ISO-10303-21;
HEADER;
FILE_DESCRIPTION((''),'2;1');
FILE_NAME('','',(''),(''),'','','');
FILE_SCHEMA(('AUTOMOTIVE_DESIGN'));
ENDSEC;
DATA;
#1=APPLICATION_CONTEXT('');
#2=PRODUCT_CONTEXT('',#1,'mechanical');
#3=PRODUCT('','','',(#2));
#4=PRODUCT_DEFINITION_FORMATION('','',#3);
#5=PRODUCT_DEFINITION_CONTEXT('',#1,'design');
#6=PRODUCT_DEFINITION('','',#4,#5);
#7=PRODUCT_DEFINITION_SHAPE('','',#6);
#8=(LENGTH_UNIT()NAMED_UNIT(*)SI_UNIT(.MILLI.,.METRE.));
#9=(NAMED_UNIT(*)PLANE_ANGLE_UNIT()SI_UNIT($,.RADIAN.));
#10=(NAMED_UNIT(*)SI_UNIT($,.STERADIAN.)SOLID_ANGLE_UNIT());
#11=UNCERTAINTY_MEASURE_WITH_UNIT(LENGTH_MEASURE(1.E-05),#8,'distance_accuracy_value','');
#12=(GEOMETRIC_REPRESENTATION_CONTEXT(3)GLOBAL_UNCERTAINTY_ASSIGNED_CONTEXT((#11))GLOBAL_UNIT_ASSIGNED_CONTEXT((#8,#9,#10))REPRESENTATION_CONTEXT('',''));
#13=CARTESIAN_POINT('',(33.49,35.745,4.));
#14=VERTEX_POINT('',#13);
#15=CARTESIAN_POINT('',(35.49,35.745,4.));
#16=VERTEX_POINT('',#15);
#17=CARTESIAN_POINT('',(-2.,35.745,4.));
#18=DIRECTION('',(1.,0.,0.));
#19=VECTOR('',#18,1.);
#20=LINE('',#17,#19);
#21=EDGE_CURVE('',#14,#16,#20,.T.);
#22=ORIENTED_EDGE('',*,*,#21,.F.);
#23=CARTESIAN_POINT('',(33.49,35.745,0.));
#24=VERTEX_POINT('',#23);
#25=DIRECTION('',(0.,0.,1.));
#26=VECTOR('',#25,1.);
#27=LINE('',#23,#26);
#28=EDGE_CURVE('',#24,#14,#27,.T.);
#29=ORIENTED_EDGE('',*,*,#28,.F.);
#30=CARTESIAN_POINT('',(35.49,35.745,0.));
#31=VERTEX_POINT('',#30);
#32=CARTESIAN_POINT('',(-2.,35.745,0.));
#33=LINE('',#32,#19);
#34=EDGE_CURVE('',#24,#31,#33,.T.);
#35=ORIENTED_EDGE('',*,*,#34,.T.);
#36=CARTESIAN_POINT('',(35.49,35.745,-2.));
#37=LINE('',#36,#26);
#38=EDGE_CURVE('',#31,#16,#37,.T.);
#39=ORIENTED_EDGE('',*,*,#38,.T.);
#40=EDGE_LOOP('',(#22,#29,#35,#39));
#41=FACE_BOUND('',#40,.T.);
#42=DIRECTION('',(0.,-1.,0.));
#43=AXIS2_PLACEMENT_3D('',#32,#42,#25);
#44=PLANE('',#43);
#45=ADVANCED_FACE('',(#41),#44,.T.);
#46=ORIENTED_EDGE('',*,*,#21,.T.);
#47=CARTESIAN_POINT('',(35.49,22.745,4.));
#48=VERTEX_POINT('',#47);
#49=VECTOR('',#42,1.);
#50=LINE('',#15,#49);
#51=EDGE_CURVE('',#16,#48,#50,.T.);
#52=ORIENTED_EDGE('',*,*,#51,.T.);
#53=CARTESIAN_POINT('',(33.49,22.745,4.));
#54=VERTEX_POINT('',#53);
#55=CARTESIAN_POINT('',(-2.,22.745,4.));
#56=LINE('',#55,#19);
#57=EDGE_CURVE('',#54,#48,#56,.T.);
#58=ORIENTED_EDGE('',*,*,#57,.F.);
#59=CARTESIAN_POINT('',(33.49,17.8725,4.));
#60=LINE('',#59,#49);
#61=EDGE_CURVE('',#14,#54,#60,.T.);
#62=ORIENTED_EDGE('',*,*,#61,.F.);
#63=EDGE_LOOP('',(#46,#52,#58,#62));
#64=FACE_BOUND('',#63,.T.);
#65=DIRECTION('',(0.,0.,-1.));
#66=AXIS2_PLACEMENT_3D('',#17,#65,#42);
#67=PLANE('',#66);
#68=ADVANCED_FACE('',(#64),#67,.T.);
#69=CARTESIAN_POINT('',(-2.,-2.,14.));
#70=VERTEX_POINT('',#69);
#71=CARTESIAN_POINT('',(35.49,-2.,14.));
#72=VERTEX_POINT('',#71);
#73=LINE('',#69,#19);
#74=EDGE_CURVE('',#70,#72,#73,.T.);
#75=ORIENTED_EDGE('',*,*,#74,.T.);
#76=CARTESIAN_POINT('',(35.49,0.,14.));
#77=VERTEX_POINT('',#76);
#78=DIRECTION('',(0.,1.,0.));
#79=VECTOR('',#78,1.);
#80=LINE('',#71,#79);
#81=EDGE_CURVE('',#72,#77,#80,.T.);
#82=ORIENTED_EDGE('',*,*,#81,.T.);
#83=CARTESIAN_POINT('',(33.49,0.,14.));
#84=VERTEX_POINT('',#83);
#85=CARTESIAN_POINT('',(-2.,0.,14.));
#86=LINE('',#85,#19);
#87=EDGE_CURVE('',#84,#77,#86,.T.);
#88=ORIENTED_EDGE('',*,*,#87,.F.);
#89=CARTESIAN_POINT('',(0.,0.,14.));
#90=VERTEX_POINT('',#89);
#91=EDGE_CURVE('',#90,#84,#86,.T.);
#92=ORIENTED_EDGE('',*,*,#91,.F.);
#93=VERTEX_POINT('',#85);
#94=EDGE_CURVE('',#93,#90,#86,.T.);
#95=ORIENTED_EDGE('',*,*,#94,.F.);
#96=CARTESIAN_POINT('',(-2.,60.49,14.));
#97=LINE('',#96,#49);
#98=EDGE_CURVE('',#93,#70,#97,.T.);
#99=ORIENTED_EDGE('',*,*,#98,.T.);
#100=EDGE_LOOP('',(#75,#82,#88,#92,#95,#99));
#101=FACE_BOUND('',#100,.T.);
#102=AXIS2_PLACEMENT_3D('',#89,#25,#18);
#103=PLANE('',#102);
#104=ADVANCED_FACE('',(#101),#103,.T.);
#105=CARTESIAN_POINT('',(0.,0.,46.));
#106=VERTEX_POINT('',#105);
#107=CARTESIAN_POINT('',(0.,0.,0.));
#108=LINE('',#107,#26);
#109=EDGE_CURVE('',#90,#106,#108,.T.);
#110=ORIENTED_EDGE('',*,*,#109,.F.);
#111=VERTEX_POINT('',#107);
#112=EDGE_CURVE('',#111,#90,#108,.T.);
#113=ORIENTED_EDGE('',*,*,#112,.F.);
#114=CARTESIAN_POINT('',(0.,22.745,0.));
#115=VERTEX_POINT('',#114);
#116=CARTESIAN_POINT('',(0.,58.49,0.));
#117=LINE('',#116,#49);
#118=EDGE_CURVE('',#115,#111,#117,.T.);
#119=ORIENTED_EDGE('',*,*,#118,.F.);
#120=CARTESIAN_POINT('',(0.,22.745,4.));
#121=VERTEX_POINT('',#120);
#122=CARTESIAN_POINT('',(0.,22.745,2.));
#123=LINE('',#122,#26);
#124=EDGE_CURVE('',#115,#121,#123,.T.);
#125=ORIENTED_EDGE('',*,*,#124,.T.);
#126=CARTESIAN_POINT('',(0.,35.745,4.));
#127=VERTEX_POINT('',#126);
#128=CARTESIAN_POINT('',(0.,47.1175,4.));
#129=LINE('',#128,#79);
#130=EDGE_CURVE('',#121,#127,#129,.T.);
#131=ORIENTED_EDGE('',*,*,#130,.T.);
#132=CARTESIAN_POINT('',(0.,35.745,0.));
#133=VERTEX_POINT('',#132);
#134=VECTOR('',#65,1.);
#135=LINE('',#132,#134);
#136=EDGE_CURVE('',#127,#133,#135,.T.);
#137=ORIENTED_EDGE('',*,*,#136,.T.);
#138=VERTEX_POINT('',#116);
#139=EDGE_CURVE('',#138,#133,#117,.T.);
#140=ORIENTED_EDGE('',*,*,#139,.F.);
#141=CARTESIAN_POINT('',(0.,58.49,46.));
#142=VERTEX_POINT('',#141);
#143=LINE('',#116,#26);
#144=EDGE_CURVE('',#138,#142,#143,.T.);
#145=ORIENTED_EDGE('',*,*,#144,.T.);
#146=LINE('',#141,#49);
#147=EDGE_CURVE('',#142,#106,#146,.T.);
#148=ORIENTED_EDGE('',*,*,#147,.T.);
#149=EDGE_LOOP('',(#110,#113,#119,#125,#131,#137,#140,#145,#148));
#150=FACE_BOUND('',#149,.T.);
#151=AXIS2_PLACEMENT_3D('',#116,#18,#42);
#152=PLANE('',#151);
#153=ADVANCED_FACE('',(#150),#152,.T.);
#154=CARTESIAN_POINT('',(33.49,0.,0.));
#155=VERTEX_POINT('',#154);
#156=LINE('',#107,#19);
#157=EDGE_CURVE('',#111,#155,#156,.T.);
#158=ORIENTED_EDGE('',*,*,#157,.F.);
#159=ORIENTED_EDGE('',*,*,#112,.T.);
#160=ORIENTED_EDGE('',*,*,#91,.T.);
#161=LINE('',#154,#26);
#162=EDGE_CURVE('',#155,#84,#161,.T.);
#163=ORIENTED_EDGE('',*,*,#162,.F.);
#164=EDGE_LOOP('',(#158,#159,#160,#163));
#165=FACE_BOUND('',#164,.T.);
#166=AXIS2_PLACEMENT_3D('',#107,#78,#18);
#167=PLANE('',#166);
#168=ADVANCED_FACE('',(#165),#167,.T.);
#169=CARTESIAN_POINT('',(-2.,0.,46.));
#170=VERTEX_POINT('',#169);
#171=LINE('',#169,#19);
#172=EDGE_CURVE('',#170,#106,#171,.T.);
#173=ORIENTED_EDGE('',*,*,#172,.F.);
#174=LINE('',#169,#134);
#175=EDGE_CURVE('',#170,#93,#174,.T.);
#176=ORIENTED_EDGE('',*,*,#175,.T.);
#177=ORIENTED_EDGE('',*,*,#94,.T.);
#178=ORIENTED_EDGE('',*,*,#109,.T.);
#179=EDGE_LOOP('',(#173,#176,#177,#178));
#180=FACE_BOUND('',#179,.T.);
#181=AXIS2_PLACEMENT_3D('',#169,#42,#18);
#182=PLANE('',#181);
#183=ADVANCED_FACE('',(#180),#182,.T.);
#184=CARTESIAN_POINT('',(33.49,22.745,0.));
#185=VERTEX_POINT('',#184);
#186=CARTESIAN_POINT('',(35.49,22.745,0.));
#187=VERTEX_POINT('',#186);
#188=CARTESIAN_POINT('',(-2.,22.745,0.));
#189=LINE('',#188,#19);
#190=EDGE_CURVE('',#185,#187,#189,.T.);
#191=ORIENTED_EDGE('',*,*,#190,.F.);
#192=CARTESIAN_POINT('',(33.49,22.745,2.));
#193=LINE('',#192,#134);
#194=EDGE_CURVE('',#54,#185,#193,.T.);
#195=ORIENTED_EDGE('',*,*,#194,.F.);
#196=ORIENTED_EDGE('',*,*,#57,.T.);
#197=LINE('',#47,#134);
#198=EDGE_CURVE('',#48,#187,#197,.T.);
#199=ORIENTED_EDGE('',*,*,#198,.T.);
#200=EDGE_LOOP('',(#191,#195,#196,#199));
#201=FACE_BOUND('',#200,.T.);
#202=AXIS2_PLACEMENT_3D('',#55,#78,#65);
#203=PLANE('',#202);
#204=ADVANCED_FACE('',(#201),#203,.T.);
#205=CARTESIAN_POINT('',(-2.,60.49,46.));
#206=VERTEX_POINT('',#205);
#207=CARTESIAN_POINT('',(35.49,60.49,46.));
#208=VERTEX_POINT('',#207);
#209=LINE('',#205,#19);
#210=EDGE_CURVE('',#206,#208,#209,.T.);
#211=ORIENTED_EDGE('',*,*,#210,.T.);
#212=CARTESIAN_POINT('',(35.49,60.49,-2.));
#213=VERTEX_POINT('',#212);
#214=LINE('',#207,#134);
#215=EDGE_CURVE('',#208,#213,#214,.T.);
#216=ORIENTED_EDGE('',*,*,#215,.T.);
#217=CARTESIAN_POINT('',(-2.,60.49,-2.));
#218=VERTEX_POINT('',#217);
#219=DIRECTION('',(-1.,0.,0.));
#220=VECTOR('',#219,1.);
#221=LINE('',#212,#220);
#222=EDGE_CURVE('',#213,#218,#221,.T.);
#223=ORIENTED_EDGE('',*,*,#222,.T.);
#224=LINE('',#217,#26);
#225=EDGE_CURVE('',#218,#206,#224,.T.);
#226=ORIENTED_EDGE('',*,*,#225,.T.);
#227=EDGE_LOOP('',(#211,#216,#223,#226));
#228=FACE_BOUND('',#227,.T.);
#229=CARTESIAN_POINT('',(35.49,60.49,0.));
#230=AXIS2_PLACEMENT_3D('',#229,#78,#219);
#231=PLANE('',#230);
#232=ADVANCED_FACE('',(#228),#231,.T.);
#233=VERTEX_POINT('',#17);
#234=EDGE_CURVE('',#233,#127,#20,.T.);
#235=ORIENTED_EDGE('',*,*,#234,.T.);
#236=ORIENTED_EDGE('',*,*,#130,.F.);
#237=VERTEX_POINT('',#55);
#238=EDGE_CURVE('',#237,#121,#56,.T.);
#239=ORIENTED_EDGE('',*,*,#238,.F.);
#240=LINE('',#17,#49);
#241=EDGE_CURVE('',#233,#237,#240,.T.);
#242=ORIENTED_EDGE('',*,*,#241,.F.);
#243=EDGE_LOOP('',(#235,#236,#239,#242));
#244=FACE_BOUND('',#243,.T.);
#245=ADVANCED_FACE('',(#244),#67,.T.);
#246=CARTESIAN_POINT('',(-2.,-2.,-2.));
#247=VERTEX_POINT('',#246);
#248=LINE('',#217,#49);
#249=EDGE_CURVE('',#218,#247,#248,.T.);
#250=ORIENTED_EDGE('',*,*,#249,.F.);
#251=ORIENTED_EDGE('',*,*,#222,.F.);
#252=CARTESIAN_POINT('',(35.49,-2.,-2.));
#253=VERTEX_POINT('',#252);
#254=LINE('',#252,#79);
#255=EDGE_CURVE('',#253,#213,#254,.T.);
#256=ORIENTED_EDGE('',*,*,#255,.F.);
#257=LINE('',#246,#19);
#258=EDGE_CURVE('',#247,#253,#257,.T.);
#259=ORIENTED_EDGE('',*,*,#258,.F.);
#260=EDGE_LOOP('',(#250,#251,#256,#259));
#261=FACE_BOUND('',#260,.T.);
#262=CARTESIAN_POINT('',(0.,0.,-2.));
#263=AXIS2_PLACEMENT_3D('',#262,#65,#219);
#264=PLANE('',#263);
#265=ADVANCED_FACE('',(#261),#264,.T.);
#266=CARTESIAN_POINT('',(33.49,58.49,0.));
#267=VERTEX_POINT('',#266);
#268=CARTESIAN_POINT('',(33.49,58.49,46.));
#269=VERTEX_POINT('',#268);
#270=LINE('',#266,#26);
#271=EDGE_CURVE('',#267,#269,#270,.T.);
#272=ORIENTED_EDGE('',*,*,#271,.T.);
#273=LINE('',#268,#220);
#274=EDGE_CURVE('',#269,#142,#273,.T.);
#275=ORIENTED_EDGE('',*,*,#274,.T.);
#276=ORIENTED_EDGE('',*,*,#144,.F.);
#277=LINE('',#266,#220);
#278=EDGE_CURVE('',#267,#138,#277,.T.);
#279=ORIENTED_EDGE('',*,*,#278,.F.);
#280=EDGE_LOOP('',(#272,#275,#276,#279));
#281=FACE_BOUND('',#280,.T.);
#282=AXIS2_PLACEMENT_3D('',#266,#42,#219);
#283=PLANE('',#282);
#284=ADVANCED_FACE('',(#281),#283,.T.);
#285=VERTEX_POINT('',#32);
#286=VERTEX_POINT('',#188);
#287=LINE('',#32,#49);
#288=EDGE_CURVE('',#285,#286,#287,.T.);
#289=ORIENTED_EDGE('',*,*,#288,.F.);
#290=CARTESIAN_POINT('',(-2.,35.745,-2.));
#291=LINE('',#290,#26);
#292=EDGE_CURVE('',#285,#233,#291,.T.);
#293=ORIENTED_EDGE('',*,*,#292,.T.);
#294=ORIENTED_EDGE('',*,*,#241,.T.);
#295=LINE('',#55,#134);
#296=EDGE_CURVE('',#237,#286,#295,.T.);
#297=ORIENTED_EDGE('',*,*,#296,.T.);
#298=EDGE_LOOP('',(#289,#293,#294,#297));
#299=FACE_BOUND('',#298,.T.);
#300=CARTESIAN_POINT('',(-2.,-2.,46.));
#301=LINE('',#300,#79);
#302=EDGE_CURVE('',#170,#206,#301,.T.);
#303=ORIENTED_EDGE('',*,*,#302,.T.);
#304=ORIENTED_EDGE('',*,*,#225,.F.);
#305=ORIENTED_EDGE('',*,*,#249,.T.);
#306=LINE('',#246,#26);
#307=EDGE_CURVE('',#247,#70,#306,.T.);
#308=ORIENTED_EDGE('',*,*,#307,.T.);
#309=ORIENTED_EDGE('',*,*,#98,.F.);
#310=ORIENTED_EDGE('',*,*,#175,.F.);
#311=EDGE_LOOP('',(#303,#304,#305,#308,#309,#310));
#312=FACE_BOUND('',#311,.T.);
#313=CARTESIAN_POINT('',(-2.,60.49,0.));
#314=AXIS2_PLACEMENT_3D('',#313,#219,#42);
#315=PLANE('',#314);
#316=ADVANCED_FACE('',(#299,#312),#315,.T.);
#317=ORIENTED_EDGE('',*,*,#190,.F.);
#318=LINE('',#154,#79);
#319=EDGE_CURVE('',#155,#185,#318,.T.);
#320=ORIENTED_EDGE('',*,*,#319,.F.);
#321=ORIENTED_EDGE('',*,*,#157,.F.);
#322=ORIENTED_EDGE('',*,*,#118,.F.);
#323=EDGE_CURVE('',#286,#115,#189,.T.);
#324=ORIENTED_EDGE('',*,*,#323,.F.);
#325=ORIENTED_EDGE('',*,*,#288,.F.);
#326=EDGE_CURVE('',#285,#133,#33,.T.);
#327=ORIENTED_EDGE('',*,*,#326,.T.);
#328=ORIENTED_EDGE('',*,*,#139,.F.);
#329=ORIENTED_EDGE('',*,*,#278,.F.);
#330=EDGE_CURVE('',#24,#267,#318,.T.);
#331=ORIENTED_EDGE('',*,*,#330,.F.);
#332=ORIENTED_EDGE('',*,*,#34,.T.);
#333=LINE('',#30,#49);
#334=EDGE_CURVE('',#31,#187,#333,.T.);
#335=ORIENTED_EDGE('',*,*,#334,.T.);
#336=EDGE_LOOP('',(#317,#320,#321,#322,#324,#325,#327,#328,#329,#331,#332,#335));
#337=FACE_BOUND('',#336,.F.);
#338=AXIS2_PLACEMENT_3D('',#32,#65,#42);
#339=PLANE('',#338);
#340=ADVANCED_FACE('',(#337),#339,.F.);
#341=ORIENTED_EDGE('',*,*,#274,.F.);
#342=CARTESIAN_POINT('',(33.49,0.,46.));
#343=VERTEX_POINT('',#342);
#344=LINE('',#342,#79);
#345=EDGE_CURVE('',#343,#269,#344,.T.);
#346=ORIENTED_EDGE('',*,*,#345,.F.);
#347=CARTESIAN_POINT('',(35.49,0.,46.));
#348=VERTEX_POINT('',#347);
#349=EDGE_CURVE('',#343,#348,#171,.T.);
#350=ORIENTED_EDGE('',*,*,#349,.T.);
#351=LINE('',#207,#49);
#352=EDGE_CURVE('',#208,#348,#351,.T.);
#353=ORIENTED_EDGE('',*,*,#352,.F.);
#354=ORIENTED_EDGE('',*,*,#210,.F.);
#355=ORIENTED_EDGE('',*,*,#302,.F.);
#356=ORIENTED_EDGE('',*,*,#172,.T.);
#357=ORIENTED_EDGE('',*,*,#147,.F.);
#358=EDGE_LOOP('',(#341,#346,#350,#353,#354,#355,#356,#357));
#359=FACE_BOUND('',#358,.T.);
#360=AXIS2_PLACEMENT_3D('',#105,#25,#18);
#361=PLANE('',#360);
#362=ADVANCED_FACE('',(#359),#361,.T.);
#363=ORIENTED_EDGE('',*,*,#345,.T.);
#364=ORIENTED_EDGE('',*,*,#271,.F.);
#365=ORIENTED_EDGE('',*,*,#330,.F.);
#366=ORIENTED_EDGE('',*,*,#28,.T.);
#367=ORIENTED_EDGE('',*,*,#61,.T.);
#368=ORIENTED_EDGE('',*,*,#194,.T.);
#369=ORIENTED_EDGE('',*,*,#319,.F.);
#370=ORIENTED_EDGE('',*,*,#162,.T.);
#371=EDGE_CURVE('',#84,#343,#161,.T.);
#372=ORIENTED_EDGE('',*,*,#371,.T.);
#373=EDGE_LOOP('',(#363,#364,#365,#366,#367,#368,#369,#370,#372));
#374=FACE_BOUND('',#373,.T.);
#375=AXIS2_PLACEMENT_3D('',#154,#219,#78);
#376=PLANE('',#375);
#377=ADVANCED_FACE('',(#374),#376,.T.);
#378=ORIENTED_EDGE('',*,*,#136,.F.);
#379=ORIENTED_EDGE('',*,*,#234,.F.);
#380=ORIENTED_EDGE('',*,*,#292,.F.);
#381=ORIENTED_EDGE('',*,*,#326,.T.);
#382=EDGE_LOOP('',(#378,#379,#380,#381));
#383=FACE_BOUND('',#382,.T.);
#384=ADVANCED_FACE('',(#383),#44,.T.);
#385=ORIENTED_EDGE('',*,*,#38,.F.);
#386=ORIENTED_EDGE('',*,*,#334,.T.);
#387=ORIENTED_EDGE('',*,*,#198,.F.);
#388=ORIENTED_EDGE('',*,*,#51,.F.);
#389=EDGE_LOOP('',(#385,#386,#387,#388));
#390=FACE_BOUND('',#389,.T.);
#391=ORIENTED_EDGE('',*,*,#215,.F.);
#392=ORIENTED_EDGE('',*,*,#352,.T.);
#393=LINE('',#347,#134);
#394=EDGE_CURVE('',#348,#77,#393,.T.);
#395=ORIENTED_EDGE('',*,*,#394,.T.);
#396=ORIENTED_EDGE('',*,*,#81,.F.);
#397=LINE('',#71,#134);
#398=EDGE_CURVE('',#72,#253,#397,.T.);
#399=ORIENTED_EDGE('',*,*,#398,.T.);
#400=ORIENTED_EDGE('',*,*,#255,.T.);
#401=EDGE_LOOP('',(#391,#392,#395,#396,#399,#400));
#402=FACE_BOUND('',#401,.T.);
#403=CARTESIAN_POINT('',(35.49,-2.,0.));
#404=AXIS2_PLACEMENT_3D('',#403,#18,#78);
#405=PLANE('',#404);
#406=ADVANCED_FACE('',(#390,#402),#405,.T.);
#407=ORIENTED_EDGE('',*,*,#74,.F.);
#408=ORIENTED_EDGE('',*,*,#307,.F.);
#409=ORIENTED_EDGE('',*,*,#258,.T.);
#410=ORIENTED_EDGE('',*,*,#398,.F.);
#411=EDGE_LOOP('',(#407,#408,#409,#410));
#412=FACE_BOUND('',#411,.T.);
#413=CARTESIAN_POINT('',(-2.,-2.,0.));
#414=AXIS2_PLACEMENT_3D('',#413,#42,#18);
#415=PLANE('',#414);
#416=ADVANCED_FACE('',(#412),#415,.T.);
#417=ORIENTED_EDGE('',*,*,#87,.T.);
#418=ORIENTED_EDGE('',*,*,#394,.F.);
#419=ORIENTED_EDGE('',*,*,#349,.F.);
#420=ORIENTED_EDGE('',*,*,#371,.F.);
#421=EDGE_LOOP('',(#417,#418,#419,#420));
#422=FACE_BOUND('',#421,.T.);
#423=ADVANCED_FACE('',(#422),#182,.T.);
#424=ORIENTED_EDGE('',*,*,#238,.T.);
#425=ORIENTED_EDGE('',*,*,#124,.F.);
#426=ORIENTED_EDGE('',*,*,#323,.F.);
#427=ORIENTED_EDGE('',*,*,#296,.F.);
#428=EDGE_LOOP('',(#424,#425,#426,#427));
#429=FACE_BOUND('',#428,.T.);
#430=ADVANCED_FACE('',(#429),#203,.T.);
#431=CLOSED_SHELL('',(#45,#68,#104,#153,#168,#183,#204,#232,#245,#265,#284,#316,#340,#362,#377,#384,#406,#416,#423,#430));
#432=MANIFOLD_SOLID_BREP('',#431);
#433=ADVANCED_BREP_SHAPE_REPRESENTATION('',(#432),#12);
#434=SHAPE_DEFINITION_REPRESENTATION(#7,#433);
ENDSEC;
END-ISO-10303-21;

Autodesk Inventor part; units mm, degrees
ref_plane "YZ Plane" through (0, 0, 0) normal (1, 0, 0) x (0, 1, 0)
ref_plane "XZ Plane" through (0, 0, 0) normal (0, 1, 0) x (-1, 0, 0)
ref_plane "XY Plane" through (0, 0, 0) normal (0, 0, 1) x (1, 0, 0)
sketch "Sketch1" plane through (0, 0, 0) normal (0, 0, 1) x (1, 0, 0)
  line L0 (0, 0) -> (33.49, 0)
  line L1 (33.49, 0) -> (33.49, 58.49)
  line L2 (33.49, 58.49) -> (0, 58.49)
  line L3 (0, 58.49) -> (0, 0)
  line L4 (-2, 60.49) -> (35.49, 60.49)
  line L5 (35.49, 60.49) -> (35.49, -2)
  line L6 (35.49, -2) -> (-2, -2)
  line L7 (-2, -2) -> (-2, 60.49)
  dimension "d0" = 33.49
  dimension "d1" = 58.49
  dimension "d2" = 2
extrude "Extrusion1" add sketch "Sketch1" along normal blind 46
sketch "Sketch2" plane through (0, 0, 46) normal (0, 0, 1) x (1, 0, 0)
  line L0 (-2, 60.49) -> (-2, -2) projected
  line L1 (-2, 0) -> (35.49, 0)
  line L2 (35.49, -2) -> (35.49, 60.49) projected
  line L3 (-2, -2) -> (35.49, -2) projected
  line L4 (35.49, -2) -> (-2, -2)
  line L5 (-2, -2) -> (-2, 0)
  point P0 (0, 0)
extrude "Extrusion2" cut sketch "Sketch2" against normal blind 32
sketch "Sketch3" plane through (0, 0, 0) normal (0, 0, -1) x (-1, 0, 0)
  line L0 (-35.49, 60.49) -> (2, 60.49) projected
  line L1 (2, -2) -> (-35.49, -2) projected
  line L2 (-35.49, 60.49) -> (2, 60.49)
  line L3 (2, 60.49) -> (2, -2)
  line L4 (2, -2) -> (-35.49, -2)
  line L5 (-35.49, -2) -> (-35.49, 60.49)
  point P0 (0, 0)
extrude "Extrusion3" add sketch "Sketch3" along normal blind 2
sketch "Sketch4" plane through (-2, 0, 46) normal (-1, 0, 0) x (0, 0, 1)
  line L0 (-48, -2) -> (-48, 60.49) projected
  line L1 (-48, 35.745) -> (-42, 35.745)
  line L2 (-42, 35.745) -> (-42, 22.745)
  line L3 (-42, 22.745) -> (-48, 22.745)
  line L4 (-48, 60.49) -> (0, 60.49) projected
  line L5 (-46, 35.745) -> (-46, 22.745)
  point P0 (-46, 0)
  point P1 (-45, 22.745)
  point P2 (-45, 35.745)
  dimension "d10" = 6
  dimension "d11" = 13
  dimension "d12" = 24.745
  dimension "d13" = 2
extrude "Extrusion4" cut sketch "Sketch4" against normal up to surface (37.49 mm away) contours L5 L1 L2 L3
properties part number "Motor_Base_3"
